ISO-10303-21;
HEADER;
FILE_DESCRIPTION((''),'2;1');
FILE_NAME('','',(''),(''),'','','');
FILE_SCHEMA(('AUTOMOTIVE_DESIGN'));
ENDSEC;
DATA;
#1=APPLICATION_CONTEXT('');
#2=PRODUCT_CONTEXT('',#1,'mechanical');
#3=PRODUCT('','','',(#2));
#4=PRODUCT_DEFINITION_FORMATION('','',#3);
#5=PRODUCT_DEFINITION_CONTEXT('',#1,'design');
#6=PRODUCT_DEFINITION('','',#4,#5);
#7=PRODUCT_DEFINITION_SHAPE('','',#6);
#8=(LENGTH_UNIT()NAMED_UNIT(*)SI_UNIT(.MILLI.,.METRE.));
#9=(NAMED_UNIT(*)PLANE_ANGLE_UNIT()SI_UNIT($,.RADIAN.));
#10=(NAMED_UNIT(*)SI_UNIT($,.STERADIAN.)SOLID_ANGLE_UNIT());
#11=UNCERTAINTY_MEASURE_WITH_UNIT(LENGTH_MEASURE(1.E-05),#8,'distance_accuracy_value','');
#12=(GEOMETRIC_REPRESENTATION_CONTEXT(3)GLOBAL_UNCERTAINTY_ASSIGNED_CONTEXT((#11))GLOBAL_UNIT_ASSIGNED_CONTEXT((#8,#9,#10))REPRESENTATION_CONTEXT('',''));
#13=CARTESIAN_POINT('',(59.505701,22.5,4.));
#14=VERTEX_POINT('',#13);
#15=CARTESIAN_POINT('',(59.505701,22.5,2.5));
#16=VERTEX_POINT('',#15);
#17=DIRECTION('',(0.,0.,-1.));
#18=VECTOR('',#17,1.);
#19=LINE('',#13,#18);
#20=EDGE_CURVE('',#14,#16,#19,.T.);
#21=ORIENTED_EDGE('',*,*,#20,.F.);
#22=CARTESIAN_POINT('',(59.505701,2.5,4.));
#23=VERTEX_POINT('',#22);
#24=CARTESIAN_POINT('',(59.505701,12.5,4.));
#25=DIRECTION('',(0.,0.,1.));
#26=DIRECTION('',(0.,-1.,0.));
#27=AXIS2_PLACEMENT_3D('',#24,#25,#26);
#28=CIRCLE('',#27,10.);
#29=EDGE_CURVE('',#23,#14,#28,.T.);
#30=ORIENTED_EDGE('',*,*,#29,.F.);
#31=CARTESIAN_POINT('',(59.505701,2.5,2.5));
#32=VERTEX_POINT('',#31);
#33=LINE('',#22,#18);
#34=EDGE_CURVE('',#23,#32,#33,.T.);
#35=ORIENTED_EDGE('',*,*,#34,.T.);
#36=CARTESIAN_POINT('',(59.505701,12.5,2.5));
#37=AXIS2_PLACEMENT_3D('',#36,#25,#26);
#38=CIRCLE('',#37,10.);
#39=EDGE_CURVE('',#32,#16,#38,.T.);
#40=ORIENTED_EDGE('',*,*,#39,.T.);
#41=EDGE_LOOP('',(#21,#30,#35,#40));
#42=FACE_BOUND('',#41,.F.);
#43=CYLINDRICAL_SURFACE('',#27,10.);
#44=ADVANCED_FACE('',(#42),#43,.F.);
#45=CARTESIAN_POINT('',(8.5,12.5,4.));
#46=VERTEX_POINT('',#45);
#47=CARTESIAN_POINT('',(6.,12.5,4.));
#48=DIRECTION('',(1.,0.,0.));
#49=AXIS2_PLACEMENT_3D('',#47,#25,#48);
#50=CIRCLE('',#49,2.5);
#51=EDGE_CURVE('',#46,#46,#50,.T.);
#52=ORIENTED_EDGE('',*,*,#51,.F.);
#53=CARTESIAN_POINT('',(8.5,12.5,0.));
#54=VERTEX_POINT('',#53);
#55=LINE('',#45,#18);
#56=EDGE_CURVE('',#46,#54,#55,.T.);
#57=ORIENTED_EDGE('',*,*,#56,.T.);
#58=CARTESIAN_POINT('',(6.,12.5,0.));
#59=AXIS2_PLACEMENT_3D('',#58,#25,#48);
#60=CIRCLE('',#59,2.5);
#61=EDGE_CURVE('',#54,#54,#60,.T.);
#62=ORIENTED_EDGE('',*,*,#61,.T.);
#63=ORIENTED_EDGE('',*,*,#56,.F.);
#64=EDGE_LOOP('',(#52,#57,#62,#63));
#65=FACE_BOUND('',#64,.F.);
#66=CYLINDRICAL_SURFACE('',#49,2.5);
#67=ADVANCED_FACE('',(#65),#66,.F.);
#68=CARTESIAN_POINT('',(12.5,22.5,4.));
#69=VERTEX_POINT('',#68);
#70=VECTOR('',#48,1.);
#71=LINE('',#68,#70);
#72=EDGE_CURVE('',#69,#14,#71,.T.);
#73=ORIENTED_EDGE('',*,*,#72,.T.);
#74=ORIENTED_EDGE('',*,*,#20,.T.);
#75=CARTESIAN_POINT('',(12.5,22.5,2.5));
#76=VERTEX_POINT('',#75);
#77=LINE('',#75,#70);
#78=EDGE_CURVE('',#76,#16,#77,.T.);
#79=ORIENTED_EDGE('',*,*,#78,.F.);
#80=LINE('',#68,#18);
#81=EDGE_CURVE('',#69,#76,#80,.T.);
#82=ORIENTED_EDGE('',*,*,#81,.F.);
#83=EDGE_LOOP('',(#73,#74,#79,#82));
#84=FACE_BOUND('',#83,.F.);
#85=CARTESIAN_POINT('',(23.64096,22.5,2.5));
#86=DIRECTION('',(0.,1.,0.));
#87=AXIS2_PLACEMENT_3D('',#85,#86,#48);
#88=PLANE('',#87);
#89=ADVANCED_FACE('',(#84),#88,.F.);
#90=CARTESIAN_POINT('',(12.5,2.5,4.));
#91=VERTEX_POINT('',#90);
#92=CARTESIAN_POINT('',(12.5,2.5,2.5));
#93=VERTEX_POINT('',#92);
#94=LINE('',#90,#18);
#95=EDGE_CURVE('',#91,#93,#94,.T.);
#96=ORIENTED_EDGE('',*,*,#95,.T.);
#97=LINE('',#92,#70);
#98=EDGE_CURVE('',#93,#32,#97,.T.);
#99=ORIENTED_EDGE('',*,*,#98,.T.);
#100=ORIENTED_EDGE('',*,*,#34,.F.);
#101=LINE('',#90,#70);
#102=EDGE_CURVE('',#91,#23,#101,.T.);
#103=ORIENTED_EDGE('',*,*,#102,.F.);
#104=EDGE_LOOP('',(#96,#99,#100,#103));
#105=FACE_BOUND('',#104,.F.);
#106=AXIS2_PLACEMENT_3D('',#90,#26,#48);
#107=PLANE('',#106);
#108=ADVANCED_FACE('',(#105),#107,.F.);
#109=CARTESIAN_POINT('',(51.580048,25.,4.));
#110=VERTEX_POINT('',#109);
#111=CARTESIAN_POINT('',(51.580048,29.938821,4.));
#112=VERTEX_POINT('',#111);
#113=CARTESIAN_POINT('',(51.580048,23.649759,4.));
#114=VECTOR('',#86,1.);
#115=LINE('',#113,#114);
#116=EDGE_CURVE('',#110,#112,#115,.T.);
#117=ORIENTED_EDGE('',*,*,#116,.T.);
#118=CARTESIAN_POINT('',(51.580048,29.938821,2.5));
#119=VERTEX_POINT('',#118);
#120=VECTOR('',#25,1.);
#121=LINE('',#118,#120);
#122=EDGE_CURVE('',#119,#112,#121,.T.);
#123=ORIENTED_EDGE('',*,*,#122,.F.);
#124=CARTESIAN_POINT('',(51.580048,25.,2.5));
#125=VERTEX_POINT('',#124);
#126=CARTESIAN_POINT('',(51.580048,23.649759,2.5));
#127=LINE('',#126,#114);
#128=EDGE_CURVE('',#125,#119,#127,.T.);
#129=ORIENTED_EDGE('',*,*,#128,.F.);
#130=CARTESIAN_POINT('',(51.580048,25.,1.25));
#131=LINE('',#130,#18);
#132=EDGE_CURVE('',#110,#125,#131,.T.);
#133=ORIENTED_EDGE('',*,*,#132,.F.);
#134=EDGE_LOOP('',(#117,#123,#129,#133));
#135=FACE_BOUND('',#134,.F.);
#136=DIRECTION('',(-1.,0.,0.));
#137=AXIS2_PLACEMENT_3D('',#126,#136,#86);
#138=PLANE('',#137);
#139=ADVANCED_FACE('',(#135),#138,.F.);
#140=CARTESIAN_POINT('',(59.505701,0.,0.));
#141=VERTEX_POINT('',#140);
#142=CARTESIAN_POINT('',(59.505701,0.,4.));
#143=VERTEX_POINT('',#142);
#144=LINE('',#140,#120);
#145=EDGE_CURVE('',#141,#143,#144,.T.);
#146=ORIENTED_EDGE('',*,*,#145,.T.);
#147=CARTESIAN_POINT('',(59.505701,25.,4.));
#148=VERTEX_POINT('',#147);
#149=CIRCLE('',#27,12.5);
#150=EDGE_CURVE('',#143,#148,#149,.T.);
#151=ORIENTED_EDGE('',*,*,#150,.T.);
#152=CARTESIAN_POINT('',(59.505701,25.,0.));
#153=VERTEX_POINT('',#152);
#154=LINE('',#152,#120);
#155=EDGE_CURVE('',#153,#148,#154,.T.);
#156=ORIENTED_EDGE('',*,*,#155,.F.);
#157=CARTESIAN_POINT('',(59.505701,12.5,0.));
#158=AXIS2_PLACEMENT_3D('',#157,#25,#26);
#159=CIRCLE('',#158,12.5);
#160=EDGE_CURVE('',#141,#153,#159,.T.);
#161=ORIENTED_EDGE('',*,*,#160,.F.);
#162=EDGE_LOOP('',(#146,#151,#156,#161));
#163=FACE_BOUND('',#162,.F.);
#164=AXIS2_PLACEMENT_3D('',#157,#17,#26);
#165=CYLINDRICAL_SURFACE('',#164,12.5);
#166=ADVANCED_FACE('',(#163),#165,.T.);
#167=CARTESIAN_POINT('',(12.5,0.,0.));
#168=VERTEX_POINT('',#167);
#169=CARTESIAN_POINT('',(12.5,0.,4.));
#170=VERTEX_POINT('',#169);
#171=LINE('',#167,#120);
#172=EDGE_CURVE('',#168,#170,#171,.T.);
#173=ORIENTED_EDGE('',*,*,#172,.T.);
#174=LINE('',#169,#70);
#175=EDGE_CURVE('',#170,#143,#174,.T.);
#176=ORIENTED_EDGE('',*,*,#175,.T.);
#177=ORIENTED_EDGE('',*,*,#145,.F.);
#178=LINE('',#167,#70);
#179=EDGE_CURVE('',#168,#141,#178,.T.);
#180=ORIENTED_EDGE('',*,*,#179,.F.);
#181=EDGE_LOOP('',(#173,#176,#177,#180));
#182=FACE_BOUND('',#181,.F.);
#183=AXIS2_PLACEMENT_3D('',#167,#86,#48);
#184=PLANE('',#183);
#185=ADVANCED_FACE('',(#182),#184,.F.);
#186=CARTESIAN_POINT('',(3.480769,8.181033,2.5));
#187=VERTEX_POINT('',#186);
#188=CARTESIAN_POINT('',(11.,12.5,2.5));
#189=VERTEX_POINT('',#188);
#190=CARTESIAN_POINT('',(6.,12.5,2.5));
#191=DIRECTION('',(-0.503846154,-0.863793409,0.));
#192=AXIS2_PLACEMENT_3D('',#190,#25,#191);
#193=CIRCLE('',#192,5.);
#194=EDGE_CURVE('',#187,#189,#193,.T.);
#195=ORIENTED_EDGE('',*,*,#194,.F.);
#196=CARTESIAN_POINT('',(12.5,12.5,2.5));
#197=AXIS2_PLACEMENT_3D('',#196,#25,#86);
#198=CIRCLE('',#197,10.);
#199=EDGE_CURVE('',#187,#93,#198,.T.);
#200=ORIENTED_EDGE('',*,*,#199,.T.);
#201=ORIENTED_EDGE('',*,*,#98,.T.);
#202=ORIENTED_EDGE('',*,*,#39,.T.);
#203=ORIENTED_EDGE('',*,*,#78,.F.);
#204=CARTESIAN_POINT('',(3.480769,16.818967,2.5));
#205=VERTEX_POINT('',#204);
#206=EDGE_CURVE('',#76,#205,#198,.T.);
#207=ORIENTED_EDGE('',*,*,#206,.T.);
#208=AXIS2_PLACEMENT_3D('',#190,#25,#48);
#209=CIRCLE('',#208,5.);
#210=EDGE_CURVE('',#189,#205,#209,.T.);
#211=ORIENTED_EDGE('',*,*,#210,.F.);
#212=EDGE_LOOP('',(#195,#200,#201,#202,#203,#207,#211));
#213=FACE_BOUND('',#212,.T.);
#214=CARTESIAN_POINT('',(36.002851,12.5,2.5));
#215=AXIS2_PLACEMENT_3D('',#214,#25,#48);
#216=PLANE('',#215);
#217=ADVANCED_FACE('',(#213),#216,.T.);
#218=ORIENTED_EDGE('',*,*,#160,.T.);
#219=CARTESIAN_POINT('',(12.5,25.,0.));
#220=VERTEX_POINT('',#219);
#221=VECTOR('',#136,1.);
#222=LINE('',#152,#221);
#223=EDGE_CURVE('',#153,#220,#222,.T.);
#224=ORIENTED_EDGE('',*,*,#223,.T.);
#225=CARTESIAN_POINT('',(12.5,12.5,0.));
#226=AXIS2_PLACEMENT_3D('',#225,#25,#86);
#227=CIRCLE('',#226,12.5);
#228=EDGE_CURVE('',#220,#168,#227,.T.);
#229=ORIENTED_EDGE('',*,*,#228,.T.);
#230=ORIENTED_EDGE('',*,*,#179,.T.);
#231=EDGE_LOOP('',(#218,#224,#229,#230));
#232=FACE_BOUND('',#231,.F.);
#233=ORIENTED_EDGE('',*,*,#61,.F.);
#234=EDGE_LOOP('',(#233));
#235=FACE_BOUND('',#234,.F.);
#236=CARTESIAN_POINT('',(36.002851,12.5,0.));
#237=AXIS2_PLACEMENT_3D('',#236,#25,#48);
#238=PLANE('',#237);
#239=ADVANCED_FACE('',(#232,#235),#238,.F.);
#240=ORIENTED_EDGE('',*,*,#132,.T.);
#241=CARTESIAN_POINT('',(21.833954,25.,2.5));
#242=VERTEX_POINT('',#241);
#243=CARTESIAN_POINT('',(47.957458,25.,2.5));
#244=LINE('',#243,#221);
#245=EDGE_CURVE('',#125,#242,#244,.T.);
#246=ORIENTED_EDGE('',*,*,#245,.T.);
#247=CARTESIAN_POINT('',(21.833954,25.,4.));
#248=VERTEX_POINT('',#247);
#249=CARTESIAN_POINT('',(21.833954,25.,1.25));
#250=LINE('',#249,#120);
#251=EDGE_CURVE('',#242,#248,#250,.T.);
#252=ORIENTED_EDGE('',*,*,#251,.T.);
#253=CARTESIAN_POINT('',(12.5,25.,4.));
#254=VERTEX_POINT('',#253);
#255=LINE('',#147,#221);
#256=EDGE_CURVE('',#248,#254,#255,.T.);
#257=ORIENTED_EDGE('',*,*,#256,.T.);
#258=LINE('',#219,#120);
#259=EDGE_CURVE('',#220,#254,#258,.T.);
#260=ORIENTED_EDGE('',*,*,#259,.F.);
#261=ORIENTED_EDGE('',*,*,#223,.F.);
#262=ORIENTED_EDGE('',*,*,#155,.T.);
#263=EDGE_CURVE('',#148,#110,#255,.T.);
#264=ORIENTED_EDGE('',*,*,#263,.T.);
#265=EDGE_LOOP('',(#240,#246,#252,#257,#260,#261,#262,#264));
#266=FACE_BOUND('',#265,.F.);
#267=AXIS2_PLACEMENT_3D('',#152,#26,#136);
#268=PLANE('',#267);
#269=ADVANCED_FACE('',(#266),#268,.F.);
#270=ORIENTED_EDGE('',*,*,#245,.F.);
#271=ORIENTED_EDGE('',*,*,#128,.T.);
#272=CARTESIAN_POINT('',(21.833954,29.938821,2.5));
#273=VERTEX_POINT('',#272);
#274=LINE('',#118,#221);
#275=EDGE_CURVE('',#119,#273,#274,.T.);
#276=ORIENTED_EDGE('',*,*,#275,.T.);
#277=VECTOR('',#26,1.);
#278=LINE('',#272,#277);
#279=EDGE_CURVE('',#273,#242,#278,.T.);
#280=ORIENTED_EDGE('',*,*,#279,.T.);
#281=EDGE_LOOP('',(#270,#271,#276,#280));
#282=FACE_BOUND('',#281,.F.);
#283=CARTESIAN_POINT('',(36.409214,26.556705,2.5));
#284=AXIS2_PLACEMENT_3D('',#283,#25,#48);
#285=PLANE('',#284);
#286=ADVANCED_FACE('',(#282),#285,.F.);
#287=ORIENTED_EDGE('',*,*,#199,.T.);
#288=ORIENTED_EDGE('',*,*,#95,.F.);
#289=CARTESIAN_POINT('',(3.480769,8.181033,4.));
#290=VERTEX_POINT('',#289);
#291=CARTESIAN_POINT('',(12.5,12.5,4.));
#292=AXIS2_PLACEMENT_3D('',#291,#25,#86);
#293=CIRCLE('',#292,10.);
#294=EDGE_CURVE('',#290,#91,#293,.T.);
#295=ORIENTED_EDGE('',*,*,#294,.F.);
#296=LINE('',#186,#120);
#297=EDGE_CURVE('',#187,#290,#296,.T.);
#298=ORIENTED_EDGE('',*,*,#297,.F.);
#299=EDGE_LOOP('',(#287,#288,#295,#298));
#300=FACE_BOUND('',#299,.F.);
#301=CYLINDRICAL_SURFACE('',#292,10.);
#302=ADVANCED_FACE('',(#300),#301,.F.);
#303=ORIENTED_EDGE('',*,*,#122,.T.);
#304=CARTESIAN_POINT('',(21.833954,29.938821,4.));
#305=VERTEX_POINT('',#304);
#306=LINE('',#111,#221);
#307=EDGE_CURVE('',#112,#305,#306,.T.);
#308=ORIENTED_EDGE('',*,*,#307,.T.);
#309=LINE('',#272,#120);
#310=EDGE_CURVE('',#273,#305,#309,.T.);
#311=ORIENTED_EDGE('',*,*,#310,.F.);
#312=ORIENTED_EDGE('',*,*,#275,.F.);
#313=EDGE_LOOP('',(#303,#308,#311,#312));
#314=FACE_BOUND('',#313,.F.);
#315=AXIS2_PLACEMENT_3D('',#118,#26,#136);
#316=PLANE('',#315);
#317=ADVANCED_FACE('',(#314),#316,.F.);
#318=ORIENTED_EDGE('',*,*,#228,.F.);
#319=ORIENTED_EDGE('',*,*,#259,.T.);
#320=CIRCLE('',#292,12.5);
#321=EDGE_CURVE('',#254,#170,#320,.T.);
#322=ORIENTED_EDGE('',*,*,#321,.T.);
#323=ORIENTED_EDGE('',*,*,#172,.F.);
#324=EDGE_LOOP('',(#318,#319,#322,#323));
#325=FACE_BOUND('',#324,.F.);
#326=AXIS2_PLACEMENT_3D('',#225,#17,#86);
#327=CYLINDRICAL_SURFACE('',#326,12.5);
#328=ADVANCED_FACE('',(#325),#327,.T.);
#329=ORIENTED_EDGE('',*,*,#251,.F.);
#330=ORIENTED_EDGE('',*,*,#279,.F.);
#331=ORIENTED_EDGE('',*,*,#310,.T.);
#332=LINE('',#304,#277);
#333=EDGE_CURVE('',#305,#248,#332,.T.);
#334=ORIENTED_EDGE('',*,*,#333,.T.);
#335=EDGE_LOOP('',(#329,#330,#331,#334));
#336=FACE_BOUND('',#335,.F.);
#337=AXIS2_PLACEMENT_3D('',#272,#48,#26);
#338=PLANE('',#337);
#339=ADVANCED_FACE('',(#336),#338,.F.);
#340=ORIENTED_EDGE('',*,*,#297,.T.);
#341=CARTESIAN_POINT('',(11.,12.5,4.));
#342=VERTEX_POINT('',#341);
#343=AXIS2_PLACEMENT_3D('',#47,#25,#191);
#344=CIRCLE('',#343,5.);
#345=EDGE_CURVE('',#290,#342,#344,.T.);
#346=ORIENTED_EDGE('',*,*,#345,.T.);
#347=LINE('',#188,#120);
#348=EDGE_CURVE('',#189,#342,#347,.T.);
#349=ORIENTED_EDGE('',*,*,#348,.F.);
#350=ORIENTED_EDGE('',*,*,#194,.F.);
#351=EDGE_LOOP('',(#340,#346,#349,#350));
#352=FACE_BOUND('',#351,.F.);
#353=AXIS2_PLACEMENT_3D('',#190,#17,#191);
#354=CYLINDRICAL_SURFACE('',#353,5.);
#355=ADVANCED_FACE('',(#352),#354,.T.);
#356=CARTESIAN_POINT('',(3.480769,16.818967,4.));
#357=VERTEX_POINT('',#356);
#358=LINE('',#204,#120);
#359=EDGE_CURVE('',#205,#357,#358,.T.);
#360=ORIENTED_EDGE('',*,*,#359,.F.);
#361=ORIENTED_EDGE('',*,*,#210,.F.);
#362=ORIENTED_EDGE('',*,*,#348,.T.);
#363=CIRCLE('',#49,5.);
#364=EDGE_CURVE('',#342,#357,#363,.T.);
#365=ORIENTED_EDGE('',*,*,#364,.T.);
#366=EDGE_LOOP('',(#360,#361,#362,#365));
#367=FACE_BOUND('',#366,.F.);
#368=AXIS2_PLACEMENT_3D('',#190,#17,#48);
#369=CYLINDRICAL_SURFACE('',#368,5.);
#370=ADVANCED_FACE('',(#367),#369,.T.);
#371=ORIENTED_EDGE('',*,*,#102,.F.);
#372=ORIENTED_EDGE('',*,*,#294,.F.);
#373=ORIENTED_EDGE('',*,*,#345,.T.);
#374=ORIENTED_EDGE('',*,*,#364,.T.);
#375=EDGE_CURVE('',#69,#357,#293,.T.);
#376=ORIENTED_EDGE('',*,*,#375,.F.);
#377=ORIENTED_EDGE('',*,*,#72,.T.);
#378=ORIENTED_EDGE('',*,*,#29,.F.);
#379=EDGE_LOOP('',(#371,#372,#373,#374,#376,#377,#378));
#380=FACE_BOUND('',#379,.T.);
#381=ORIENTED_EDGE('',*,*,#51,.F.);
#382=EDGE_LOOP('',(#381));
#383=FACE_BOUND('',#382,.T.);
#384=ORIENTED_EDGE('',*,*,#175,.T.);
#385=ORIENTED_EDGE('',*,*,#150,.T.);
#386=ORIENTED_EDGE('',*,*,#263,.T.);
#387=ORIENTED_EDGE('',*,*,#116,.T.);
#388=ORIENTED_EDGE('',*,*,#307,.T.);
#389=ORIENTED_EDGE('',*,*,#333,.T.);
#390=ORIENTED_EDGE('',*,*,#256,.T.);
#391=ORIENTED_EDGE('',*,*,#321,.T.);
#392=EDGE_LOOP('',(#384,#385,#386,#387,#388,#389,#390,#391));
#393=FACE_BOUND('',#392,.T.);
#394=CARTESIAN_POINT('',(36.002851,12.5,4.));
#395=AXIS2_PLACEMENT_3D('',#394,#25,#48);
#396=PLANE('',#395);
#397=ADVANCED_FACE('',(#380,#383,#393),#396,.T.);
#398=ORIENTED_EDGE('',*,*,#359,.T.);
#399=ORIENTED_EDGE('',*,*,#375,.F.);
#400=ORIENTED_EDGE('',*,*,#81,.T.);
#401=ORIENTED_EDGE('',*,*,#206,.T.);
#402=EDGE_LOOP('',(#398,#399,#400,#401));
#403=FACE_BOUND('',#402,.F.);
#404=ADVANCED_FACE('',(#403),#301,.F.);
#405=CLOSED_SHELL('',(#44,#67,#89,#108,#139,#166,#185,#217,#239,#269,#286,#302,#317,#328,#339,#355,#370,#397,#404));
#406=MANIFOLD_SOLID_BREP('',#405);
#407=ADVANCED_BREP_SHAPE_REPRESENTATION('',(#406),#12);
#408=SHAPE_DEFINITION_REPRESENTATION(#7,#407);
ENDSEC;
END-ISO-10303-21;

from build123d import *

# Parameters (mm, degrees)
F1_DEPTH = 4
F3_DEPTH = 1.5
F5_DEPTH = 1.5
F6_R     = 2.5
F7_DEPTH = 25
F9_DEPTH = 1.5


with BuildPart() as f1:
    # F0 (on Top) → F1 (new body)
    with BuildSketch(Plane.XY):
        with BuildLine():
            ThreePointArc((12.5, 25), (0, 12.5), (12.5, 0))
            Line((12.5, 0), (59.5057010651, 0))
            ThreePointArc((59.5057010651, 0), (72.0057010651, 12.5), (59.5057010651, 25))
            Line((59.5057010651, 25), (12.5, 25))
        make_face()
    extrude(amount=F1_DEPTH)

    # F2 (on face) → F3 (cut)
    with BuildSketch(Plane.XY.offset(4)):
        with BuildLine():
            Line((59.5057010651, 22.5), (12.5, 22.5))
            ThreePointArc((12.5, 22.5), (2.5, 12.5), (12.5, 2.5))
            Line((12.5, 2.5), (59.5057010651, 2.5))
            ThreePointArc((59.5057010651, 2.5), (69.5057010651, 12.5), (59.5057010651, 22.5))
        make_face()
    extrude(amount=-F3_DEPTH, mode=Mode.SUBTRACT)

    # F4 (on face) → F5 (join)
    with BuildSketch(Plane.XY.offset(2.5)):
        with BuildLine():
            ThreePointArc((3.4807692308, 8.1810329555), (8.4903660528, 8.1643250902), (11, 12.5))
            ThreePointArc((11, 12.5), (8.4903660528, 16.8356749098), (3.4807692308, 16.8189670445))
            ThreePointArc((3.4807692308, 16.8189670445), (2.5, 12.5), (3.4807692308, 8.1810329555))
        make_face()
    extrude(amount=F5_DEPTH)

    # F6 (on face) → F7 (cut)
    with BuildSketch(Plane.XY.offset(4)):
        with Locations((6, 12.5)):
            Circle(F6_R)
    extrude(amount=-F7_DEPTH, mode=Mode.SUBTRACT)

    # F8 (on face) → F9 (join)
    with BuildSketch(Plane.XY.offset(2.5)):
        with BuildLine():
            Line((51.5800477753, 23.6497587322), (51.5800477753, 29.9388212322))
            Line((51.5800477753, 29.9388212322), (21.8339540253, 29.9388212322))
            Line((21.8339540253, 29.9388212322), (21.8339540253, 24.7695503988))
            Line((21.8339540253, 24.7695503988), (23.6409601852, 22.5))
            Line((23.6409601852, 22.5), (29.7308289031, 22.5))
            add(Edge.make_bspline(
                [(28.4485373586, 23.8125191488), (29.2209345705, 23.0401219369), (29.7308289031, 22.5)],
                knots=[0, 0, 0, 0.4943342156, 0.4943342156, 0.4943342156], degree=2))
            Line((28.4485373586, 23.8125191488), (31.5409852753, 23.7148628988))
            Line((31.5409852753, 23.7148628988), (34.3665061086, 23.6497587322))
            Line((34.3665061086, 23.6497587322), (51.5800477753, 23.6497587322))
        make_face()
    extrude(amount=F9_DEPTH)


solid = f1.part
